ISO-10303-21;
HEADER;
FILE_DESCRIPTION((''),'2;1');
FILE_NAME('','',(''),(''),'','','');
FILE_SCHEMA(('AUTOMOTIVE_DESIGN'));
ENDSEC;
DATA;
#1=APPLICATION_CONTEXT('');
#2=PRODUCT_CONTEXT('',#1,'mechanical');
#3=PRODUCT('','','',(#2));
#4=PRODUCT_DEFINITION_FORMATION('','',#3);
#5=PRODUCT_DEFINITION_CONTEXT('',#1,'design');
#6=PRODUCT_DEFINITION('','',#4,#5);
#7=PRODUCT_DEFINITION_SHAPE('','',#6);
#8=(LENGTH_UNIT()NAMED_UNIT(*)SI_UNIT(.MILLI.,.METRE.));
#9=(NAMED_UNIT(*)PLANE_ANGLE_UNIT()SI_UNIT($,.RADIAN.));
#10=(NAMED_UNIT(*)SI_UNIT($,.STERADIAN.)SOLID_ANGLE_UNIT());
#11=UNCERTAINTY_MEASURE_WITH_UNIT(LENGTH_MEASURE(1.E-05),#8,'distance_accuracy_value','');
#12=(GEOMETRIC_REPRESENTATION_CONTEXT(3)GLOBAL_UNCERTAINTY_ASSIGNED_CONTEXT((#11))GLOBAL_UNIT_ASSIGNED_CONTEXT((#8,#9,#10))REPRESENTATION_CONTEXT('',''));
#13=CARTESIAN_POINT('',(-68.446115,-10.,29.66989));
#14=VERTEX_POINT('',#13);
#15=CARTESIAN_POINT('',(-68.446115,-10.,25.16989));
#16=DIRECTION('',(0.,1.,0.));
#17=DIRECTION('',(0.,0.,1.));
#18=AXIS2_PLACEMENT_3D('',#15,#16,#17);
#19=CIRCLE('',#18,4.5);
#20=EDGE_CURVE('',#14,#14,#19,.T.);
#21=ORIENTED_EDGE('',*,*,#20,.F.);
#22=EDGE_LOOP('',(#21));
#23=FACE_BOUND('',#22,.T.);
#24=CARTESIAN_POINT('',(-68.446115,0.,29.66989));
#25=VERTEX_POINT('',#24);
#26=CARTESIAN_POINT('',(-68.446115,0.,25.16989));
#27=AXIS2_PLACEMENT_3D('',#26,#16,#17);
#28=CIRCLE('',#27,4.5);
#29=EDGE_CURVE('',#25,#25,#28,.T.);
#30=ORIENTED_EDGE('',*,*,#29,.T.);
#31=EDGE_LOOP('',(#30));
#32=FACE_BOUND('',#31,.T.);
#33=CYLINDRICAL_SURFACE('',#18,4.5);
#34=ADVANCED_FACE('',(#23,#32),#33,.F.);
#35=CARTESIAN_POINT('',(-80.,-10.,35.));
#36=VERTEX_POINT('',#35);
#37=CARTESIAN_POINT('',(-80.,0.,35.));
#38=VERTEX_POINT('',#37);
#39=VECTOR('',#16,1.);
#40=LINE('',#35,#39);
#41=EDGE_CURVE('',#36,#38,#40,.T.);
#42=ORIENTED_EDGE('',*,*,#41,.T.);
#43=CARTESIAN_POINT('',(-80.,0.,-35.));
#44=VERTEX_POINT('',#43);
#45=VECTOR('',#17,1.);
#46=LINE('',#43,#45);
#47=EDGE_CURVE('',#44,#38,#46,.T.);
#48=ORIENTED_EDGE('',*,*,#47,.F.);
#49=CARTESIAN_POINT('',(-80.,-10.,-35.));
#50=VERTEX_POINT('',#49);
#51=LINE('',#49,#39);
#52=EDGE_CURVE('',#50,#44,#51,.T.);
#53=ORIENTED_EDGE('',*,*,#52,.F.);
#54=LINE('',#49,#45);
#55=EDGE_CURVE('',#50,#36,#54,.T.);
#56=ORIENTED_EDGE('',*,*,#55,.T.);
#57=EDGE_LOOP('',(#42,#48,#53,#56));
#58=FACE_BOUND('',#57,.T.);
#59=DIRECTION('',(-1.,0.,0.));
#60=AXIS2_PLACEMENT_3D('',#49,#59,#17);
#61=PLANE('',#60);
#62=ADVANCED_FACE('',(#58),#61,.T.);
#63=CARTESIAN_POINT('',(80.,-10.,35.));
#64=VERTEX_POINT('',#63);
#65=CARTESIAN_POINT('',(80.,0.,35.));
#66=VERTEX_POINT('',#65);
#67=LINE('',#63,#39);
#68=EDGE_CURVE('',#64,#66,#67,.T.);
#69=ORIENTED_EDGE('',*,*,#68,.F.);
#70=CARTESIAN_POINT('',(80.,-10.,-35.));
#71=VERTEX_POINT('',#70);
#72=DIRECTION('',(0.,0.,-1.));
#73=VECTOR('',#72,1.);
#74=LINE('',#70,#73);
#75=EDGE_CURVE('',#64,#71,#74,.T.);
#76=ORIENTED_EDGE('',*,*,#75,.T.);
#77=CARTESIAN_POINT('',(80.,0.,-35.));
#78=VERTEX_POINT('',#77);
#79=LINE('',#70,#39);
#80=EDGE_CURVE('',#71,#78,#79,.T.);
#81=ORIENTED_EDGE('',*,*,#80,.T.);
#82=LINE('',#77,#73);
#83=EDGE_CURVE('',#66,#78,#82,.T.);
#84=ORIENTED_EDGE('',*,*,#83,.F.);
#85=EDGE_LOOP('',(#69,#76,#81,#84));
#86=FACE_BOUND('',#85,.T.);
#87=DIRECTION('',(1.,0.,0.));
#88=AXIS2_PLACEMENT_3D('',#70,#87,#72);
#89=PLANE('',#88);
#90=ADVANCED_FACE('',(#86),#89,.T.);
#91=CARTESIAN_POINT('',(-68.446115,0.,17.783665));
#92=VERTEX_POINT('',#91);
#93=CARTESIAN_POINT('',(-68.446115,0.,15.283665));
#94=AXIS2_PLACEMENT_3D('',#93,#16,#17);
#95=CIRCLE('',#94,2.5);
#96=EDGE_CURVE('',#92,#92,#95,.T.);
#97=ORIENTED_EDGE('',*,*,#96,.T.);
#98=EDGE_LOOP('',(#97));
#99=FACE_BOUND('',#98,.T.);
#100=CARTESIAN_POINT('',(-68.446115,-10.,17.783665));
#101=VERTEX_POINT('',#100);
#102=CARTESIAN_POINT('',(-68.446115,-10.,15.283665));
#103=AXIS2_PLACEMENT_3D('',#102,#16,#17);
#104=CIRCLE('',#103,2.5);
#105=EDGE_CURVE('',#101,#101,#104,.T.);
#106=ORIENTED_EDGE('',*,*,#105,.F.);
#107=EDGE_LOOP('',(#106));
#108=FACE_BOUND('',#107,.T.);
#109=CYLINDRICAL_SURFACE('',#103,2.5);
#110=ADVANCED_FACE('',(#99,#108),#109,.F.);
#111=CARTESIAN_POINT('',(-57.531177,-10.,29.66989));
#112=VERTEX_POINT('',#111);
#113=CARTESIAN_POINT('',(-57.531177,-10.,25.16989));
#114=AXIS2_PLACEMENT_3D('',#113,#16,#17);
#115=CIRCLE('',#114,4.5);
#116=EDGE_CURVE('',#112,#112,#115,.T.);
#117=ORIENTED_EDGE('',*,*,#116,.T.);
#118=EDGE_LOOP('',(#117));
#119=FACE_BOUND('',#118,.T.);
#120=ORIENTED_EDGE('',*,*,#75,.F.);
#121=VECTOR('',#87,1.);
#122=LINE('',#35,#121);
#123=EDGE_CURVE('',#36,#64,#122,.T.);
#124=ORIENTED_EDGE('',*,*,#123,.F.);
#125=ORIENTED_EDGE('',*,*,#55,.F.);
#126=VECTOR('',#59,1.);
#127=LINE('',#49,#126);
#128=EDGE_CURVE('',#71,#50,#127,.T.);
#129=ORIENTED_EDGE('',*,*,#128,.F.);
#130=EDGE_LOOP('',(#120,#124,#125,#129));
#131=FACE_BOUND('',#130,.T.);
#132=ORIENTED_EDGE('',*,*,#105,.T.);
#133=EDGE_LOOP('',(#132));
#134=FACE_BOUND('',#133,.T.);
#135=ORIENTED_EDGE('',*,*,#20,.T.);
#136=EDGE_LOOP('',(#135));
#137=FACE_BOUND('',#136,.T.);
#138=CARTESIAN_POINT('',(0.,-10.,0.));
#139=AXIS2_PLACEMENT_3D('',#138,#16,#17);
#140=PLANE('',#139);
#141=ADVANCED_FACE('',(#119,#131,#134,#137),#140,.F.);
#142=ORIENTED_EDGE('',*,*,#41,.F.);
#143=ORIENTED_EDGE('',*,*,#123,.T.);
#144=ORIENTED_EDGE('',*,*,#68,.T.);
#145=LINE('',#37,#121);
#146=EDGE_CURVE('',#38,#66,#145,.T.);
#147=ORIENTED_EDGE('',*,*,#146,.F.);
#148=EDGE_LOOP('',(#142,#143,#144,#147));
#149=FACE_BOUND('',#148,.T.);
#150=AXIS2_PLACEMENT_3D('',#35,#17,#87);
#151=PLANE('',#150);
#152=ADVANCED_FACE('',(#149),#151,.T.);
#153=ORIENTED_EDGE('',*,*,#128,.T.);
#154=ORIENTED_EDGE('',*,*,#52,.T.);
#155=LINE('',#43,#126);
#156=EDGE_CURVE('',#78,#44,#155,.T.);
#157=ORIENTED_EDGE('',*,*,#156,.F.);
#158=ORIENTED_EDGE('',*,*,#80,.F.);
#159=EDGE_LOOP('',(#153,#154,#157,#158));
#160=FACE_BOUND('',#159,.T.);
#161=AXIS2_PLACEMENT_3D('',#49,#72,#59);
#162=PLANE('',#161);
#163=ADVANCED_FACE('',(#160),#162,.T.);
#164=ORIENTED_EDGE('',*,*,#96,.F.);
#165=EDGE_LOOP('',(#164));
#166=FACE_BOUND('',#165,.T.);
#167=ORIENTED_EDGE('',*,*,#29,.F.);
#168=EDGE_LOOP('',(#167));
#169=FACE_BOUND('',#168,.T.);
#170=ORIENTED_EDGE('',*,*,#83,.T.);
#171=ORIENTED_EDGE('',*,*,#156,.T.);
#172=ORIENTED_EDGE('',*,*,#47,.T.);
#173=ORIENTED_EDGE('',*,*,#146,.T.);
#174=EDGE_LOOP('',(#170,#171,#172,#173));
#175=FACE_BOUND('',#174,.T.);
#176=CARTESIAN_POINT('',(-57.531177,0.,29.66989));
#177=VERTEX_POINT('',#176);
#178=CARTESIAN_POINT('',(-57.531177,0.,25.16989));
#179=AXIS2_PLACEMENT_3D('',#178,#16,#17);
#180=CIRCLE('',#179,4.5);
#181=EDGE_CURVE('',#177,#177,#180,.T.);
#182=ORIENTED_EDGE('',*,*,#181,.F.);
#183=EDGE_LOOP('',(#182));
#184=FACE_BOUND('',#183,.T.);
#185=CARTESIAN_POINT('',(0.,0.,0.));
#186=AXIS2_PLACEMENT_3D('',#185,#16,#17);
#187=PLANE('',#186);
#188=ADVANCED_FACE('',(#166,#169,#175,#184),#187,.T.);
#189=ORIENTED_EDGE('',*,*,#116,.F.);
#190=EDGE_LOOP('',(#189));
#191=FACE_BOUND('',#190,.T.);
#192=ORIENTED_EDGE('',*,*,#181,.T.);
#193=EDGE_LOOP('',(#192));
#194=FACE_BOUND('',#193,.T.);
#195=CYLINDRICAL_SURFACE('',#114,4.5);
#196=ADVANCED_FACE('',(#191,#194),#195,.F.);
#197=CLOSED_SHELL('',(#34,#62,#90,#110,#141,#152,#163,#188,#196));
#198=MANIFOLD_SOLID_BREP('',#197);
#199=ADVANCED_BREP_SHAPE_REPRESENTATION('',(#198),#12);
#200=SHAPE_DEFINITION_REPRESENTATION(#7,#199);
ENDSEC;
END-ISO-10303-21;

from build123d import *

# Parameters (mm, degrees)
SKETCH1_W           = 160
SKETCH1_H           = 70
SKETCH1_R           = 4.5
SKETCH1_R_2         = 2.5
BOSS_EXTRUDE1_DEPTH = 10


with BuildPart() as part:
    # Sketch1 → Boss-Extrude1 (new body)
    with BuildSketch(Plane(origin=(0, 0, 0), x_dir=(1, 0, 0), z_dir=(0, 1, 0))):
        Rectangle(SKETCH1_W, SKETCH1_H)
        with Locations((-68.446114543, -25.169889981)):
            Circle(SKETCH1_R, mode=Mode.SUBTRACT)
        with Locations((-68.446114543, -15.283664996)):
            Circle(SKETCH1_R_2, mode=Mode.SUBTRACT)
        with Locations((-57.5311771, -25.169889981)):
            Circle(SKETCH1_R, mode=Mode.SUBTRACT)
    extrude(amount=-BOSS_EXTRUDE1_DEPTH)


solid = part.part
